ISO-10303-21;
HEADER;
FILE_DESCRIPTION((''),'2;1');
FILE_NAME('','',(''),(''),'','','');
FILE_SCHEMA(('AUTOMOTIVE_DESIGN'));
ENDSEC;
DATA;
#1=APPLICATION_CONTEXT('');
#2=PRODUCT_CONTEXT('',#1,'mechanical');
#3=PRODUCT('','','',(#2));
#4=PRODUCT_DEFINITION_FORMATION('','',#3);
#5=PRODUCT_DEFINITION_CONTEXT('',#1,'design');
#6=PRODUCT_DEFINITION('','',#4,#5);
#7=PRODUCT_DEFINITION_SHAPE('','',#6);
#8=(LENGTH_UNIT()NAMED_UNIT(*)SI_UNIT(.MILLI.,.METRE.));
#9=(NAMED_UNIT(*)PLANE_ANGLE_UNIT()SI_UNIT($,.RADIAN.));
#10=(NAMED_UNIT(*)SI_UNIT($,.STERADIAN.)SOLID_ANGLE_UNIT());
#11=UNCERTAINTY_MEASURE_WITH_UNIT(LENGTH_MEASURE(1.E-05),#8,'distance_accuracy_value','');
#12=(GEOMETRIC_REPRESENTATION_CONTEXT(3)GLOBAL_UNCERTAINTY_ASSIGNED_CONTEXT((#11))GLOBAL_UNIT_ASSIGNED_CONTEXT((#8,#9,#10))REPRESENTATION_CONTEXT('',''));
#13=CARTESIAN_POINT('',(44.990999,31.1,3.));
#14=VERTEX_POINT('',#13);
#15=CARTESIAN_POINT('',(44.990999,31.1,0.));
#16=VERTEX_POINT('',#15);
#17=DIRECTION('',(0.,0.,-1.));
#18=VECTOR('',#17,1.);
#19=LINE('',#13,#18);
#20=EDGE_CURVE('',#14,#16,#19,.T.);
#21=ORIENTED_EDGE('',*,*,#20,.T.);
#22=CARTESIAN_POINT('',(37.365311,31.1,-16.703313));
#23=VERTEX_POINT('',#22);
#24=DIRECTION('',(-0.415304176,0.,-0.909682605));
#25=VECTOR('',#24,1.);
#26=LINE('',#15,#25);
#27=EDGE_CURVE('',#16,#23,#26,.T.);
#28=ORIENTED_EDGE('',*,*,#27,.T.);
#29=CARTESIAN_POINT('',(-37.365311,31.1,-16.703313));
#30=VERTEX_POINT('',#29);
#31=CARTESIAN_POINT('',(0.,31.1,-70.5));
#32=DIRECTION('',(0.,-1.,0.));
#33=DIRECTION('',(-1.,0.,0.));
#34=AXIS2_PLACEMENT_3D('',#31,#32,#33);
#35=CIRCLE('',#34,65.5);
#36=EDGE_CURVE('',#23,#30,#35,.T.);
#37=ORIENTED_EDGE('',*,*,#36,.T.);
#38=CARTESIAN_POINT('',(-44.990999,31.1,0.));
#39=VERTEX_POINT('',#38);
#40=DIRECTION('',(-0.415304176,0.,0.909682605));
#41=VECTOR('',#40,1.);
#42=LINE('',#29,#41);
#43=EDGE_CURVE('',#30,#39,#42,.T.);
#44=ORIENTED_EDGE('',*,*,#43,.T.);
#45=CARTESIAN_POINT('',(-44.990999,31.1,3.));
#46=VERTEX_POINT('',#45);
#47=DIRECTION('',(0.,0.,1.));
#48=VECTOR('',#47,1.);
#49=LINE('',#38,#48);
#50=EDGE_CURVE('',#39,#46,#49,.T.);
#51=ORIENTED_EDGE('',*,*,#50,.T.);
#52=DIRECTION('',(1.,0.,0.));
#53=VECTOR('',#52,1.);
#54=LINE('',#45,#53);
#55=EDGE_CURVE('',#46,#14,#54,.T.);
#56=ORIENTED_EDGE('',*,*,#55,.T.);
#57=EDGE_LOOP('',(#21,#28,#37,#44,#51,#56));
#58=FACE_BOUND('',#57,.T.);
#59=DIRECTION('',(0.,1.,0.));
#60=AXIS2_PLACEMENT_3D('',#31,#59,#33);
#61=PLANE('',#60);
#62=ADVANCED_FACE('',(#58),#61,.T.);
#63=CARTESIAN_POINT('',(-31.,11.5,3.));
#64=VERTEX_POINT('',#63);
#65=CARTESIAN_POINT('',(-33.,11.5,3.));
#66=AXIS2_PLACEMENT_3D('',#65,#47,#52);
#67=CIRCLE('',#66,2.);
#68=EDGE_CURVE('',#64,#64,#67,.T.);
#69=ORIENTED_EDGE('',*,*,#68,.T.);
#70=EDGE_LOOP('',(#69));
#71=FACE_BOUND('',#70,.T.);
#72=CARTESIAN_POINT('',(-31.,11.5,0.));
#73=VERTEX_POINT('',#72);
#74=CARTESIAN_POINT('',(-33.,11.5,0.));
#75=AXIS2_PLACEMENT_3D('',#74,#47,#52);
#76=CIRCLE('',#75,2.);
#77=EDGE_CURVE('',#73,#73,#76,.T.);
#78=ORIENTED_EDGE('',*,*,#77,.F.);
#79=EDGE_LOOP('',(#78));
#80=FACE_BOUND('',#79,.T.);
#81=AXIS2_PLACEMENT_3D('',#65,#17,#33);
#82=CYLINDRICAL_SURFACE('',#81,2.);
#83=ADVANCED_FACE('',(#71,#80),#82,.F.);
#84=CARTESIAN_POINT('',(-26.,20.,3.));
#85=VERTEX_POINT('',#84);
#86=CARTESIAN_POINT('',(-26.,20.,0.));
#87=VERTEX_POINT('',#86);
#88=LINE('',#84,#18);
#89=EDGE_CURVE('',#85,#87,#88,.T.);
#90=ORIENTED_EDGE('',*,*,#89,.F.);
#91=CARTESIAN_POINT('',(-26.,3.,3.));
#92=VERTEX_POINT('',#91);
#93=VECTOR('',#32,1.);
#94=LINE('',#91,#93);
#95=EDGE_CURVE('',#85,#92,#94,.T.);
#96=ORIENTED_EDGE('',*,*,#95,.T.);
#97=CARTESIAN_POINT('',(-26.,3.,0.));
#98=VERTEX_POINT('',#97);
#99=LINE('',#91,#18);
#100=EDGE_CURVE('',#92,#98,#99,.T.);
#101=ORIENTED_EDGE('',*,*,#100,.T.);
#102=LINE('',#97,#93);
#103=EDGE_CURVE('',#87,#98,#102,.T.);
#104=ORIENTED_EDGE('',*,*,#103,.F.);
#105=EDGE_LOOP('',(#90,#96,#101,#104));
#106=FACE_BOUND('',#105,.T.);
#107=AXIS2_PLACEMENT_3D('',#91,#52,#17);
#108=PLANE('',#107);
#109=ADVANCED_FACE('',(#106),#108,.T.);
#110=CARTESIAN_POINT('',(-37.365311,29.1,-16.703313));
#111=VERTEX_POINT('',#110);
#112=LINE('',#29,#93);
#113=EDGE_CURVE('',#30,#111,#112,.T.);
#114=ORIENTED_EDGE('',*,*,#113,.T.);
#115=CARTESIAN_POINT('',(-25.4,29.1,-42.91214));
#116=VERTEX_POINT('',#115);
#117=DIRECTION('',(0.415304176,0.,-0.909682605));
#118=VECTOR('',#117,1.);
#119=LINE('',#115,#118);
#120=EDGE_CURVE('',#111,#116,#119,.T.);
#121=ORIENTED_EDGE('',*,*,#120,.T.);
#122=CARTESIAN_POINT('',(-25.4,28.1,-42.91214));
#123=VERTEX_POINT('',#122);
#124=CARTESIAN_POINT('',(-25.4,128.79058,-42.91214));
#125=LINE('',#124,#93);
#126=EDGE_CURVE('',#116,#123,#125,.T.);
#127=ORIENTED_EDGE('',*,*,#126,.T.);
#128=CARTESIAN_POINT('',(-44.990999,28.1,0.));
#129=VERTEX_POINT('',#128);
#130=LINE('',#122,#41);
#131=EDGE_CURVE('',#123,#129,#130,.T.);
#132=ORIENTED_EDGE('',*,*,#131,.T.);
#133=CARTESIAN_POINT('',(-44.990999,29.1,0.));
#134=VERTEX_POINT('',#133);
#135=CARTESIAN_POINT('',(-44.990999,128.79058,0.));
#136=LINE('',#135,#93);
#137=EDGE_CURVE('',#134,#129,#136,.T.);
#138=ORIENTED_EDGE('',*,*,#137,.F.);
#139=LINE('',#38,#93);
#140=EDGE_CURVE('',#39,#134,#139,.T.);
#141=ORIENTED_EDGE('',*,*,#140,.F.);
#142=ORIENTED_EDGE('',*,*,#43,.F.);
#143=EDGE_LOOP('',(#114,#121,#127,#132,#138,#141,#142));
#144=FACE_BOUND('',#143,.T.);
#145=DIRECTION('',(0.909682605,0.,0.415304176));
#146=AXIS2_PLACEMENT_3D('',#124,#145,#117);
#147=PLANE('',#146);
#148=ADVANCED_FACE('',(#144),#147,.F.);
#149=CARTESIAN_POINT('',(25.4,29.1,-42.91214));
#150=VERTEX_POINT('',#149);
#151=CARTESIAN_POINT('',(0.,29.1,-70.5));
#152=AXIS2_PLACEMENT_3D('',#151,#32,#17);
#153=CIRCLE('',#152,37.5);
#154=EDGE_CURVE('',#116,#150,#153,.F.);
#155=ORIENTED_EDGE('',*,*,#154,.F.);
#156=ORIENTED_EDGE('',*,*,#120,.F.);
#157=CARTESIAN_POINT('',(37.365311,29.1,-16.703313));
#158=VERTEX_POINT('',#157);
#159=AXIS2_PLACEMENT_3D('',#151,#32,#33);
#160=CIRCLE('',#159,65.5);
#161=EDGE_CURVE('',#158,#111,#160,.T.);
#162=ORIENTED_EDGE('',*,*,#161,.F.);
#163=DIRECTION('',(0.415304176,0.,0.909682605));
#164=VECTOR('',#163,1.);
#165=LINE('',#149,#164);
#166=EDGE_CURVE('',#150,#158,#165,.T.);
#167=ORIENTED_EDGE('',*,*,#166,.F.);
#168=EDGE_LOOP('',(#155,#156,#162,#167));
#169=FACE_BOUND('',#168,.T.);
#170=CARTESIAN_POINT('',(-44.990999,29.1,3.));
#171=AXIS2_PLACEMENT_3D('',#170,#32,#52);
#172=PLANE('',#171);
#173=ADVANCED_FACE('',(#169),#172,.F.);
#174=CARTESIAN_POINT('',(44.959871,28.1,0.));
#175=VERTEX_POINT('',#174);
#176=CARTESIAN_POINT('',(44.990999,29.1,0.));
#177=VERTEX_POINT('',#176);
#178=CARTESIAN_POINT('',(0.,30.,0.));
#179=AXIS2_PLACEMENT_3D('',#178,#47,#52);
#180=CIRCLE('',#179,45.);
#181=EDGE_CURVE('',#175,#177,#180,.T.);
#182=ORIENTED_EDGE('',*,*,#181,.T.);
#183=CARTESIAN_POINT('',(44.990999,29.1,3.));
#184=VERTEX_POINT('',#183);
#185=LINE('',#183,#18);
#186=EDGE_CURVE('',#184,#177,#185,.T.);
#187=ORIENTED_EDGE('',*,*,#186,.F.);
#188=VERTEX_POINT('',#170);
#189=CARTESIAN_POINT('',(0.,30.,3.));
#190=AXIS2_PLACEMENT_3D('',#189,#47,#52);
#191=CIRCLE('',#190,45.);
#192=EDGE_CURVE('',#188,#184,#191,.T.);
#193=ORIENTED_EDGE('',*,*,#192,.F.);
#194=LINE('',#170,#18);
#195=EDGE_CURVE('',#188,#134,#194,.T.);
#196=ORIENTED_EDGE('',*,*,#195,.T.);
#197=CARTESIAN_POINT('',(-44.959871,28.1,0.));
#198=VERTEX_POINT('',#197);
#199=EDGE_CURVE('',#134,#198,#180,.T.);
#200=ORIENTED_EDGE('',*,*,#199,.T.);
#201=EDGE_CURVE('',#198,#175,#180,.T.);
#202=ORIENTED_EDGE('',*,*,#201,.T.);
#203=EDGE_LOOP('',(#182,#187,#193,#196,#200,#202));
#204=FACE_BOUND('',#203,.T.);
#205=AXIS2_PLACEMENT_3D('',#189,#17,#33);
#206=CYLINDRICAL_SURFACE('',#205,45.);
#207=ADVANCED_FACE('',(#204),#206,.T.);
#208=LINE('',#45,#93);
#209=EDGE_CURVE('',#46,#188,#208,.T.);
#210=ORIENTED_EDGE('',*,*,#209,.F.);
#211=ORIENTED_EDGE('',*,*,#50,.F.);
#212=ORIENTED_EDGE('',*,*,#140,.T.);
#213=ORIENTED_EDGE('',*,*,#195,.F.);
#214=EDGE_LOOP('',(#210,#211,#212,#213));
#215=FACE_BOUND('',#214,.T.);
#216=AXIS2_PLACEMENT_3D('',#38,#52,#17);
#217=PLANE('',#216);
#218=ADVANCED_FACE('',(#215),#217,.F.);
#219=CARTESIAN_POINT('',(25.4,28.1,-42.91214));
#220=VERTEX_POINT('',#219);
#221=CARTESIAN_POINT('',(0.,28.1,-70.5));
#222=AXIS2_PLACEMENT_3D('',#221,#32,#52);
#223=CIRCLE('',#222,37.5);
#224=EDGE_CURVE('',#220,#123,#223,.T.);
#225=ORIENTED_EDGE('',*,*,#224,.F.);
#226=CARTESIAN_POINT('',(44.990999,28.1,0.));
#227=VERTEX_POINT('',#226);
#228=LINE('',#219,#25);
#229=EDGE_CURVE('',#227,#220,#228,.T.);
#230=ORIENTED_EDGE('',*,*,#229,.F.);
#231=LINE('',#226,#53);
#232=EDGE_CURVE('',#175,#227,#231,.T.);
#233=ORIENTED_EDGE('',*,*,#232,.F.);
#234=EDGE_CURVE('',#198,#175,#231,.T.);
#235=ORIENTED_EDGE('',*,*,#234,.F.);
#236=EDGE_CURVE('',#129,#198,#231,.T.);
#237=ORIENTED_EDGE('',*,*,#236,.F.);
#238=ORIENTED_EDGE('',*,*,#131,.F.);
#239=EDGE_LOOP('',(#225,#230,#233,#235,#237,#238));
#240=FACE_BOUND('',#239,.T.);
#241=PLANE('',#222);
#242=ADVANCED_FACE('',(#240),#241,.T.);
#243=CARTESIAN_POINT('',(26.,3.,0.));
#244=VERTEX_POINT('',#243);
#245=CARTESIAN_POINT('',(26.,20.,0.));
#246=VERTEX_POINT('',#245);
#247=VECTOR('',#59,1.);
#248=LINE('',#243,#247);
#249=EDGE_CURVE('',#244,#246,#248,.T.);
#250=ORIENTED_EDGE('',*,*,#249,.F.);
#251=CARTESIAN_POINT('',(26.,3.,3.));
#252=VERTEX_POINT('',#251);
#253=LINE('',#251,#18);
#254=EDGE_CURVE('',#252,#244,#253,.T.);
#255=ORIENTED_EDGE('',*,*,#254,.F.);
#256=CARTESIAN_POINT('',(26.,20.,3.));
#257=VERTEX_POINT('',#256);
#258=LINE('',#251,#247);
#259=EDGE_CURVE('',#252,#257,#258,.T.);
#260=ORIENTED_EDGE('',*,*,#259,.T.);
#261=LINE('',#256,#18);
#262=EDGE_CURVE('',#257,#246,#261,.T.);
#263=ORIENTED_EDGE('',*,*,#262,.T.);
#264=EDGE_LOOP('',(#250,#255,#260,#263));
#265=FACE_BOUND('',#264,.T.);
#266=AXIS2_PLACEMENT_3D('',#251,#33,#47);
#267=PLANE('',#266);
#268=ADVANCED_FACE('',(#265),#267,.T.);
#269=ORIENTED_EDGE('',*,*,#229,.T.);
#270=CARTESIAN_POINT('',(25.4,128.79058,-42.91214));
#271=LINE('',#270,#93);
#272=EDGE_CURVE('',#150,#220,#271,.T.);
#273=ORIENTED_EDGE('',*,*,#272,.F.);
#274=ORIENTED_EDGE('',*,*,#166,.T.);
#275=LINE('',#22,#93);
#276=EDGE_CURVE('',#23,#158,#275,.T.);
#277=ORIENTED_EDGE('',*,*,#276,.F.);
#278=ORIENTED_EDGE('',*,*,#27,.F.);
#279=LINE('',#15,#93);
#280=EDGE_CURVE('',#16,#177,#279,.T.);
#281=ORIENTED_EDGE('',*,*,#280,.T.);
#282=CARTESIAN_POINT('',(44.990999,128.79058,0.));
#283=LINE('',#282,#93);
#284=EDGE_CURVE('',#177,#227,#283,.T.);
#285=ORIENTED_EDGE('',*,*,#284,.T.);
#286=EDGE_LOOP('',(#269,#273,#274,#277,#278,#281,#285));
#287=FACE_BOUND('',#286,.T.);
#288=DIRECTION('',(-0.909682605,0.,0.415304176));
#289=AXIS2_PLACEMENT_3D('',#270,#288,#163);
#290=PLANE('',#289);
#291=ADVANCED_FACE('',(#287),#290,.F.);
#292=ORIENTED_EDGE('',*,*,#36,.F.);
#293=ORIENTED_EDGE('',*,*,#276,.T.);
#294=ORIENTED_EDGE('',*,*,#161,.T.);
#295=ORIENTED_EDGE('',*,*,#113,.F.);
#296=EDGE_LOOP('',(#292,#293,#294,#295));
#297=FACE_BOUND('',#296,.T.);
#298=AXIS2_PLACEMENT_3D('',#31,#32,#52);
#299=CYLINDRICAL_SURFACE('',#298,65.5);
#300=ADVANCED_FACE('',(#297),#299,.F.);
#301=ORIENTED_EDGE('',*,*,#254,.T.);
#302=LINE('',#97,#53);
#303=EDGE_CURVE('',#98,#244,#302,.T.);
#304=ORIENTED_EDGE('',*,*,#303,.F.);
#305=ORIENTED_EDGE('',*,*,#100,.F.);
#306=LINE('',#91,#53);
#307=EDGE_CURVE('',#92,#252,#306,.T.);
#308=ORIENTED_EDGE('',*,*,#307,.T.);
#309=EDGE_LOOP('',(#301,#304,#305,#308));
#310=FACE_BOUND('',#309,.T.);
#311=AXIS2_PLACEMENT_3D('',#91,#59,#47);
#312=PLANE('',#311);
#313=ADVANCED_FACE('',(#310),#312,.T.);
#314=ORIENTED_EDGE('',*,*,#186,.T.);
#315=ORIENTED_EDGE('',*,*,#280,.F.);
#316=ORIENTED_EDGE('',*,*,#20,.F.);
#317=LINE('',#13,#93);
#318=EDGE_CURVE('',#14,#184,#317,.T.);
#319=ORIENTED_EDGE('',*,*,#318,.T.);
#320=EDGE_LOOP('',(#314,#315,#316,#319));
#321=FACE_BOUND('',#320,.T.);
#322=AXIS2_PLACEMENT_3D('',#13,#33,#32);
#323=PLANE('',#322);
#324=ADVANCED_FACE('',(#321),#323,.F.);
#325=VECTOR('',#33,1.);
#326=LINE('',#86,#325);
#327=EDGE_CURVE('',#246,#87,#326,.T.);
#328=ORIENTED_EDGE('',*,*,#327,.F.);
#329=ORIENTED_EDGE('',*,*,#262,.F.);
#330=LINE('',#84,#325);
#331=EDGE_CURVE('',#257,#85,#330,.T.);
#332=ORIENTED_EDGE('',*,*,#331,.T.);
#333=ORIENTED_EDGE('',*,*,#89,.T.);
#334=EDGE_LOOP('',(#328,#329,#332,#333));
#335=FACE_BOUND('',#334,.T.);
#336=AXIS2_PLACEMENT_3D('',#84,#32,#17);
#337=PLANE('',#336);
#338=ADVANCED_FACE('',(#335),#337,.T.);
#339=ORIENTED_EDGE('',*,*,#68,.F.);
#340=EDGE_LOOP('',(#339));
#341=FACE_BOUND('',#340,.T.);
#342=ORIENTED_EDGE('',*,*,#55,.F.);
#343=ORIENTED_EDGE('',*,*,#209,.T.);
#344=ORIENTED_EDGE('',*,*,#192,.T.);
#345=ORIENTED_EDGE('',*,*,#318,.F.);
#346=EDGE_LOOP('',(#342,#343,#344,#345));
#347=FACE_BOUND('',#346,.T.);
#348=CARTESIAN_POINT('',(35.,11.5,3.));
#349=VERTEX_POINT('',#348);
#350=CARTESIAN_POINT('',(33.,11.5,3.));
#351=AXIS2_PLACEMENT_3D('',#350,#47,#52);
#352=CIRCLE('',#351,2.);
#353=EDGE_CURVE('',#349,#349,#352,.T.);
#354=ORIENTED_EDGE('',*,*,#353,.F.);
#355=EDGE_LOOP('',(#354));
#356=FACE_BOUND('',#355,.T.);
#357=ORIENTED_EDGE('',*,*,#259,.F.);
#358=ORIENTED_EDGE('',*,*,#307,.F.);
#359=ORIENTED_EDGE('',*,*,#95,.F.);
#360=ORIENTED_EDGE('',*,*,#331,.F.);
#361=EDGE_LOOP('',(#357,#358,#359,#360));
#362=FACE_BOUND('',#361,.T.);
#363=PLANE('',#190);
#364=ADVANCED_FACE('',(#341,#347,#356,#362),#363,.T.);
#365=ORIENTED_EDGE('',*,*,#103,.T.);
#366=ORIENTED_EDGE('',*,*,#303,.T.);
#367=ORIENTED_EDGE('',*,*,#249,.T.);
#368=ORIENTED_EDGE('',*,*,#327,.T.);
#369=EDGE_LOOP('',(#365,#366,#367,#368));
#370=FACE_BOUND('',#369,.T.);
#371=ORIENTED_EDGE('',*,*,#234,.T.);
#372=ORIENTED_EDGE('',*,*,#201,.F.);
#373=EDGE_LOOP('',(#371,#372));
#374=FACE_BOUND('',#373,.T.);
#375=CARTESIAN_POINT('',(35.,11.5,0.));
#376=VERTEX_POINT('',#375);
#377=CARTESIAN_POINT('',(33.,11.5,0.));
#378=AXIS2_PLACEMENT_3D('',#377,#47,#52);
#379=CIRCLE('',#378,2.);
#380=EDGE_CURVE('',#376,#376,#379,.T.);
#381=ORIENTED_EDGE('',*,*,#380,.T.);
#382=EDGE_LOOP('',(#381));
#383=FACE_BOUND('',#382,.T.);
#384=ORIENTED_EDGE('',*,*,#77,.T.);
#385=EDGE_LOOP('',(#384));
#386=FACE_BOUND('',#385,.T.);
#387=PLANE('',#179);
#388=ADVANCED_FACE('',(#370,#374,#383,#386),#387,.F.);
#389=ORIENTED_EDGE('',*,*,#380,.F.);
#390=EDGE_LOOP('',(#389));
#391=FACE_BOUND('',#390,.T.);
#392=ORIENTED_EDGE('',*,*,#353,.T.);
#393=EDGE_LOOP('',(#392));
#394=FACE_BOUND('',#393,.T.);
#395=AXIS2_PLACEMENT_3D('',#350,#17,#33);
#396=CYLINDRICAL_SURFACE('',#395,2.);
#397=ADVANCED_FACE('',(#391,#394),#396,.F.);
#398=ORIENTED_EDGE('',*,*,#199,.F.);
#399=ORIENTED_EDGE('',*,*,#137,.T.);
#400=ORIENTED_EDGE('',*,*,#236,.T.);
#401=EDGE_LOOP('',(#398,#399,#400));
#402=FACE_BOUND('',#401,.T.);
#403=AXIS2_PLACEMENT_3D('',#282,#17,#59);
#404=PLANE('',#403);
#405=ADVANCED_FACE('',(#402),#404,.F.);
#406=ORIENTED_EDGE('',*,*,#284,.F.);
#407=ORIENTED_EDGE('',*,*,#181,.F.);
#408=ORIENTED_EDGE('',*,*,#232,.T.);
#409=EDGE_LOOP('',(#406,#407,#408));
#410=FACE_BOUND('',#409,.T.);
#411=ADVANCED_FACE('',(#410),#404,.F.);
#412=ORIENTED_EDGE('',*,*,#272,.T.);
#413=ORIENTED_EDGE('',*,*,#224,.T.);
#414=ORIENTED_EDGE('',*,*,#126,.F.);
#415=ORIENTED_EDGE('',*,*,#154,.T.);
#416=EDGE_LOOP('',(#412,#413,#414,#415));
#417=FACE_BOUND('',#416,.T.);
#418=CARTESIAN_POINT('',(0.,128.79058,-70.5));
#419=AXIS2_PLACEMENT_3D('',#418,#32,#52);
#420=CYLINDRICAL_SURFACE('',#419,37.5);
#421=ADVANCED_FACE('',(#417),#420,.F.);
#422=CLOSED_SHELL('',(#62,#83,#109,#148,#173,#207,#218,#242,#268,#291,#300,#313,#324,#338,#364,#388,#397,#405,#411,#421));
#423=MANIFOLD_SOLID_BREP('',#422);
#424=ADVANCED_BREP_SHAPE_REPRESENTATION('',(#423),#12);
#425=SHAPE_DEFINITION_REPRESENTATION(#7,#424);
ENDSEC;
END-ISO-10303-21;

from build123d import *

# Parameters (mm, degrees)
SKETCH1_R           = 2
SKETCH1_W           = 52
SKETCH1_H           = 17
BOSS_EXTRUDE1_DEPTH = 3
BOSS_EXTRUDE2_DEPTH = 1
BOSS_EXTRUDE3_DEPTH = 2


with BuildPart() as part:
    # Sketch1 → Boss-Extrude1 (new body)
    with BuildSketch(Plane.XY):
        with BuildLine():
            Line((-44.9909991, 29.1), (44.9909991, 29.1))
            ThreePointArc((44.9909991, 29.1), (0, -15), (-44.9909991, 29.1))
        make_face()
        with Locations((-33, 11.5)):
            Circle(SKETCH1_R, mode=Mode.SUBTRACT)
        with Locations((33, 11.5)):
            Circle(SKETCH1_R, mode=Mode.SUBTRACT)
        with Locations((0, 11.5)):
            Rectangle(SKETCH1_W, SKETCH1_H, mode=Mode.SUBTRACT)
    extrude(amount=BOSS_EXTRUDE1_DEPTH)

    # Sketch4 → Boss-Extrude2 (add)
    with BuildSketch(Plane(origin=(0, 28.1, 0), x_dir=(1, 0, 0), z_dir=(0, 1, 0))):
        with BuildLine():
            Line((-25.4, 42.912140351), (-44.9909991, 0))
            Line((-44.9909991, 0), (44.9909991, 0))
            Line((44.9909991, 0), (25.4, 42.912140351))
            ThreePointArc((25.4, 42.912140351), (0, 33), (-25.4, 42.912140351))
        make_face()
    extrude(amount=BOSS_EXTRUDE2_DEPTH)

    # Sketch5 → Boss-Extrude3 (add)
    with BuildSketch(Plane(origin=(0, 29.1, 0), x_dir=(1, 0, 0), z_dir=(0, 1, 0))):
        with BuildLine():
            Line((-37.365311148, 16.703313087), (-44.9909991, 0))
            Line((-44.9909991, 0), (-44.9909991, -3))
            Line((-44.9909991, -3), (44.9909991, -3))
            Line((44.9909991, -3), (44.9909991, 0))
            Line((44.9909991, 0), (37.365311148, 16.703313087))
            ThreePointArc((37.365311148, 16.703313087), (0, 5), (-37.365311148, 16.703313087))
        make_face()
    extrude(amount=BOSS_EXTRUDE3_DEPTH)


solid = part.part
